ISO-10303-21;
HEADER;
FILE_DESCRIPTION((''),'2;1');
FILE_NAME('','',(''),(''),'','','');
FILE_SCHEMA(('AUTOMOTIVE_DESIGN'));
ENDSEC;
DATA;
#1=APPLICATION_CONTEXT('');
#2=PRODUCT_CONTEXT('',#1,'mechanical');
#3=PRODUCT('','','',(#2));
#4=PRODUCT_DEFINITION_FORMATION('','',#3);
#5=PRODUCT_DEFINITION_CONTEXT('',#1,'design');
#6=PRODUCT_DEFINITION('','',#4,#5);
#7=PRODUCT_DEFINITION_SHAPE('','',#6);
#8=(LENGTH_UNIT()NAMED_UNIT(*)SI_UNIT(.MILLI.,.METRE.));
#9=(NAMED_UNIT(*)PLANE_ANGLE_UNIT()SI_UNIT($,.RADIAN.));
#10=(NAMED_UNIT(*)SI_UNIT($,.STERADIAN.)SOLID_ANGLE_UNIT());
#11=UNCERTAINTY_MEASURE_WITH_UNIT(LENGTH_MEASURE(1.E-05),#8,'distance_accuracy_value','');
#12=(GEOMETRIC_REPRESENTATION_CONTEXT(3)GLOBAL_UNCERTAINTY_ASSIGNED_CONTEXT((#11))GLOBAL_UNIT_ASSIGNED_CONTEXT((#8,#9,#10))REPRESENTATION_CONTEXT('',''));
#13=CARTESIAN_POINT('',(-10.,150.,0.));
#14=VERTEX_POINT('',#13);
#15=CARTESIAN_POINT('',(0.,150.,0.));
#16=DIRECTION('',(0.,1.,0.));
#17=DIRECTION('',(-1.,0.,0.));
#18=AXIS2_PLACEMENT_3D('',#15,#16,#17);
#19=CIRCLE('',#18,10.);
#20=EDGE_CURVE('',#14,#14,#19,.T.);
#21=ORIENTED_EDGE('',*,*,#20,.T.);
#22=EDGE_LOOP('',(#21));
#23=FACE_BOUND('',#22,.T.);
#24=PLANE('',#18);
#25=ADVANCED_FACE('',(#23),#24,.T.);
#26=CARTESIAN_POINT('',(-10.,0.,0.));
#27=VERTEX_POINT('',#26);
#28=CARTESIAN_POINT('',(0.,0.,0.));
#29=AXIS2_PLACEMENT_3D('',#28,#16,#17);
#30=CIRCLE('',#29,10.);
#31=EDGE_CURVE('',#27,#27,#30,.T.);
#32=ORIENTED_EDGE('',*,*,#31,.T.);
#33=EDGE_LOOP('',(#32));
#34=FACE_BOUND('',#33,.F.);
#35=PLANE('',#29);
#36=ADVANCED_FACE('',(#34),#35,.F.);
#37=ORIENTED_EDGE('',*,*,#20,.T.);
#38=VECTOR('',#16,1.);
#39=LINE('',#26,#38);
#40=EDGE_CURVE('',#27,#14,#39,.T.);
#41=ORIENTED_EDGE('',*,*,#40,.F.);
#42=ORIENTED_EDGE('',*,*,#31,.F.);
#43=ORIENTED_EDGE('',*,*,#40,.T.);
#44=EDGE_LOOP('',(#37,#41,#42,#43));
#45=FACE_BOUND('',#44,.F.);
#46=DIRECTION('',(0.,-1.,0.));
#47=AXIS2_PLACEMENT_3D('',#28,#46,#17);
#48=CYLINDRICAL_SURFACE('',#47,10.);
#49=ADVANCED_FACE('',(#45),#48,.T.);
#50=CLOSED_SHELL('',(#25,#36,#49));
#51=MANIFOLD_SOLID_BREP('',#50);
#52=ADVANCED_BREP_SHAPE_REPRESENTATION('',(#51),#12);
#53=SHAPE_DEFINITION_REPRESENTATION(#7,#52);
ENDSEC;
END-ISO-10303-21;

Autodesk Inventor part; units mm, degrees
ref_plane "YZ Plane" through (0, 0, 0) normal (1, 0, 0) x (0, 1, 0)
ref_plane "XZ Plane" through (0, 0, 0) normal (0, 1, 0) x (-1, 0, 0)
ref_plane "XY Plane" through (0, 0, 0) normal (0, 0, 1) x (1, 0, 0)
sketch "Sketch1" plane through (0, 0, 0) normal (0, 1, 0) x (-1, 0, 0)
  circle A0 centre (0, 0) radius 10
  dimension "d0" = 20
extrude "Extrusion1" add sketch "Sketch1" along normal blind 150
properties part number "Base-Shaft" material "Steel, Mild"
